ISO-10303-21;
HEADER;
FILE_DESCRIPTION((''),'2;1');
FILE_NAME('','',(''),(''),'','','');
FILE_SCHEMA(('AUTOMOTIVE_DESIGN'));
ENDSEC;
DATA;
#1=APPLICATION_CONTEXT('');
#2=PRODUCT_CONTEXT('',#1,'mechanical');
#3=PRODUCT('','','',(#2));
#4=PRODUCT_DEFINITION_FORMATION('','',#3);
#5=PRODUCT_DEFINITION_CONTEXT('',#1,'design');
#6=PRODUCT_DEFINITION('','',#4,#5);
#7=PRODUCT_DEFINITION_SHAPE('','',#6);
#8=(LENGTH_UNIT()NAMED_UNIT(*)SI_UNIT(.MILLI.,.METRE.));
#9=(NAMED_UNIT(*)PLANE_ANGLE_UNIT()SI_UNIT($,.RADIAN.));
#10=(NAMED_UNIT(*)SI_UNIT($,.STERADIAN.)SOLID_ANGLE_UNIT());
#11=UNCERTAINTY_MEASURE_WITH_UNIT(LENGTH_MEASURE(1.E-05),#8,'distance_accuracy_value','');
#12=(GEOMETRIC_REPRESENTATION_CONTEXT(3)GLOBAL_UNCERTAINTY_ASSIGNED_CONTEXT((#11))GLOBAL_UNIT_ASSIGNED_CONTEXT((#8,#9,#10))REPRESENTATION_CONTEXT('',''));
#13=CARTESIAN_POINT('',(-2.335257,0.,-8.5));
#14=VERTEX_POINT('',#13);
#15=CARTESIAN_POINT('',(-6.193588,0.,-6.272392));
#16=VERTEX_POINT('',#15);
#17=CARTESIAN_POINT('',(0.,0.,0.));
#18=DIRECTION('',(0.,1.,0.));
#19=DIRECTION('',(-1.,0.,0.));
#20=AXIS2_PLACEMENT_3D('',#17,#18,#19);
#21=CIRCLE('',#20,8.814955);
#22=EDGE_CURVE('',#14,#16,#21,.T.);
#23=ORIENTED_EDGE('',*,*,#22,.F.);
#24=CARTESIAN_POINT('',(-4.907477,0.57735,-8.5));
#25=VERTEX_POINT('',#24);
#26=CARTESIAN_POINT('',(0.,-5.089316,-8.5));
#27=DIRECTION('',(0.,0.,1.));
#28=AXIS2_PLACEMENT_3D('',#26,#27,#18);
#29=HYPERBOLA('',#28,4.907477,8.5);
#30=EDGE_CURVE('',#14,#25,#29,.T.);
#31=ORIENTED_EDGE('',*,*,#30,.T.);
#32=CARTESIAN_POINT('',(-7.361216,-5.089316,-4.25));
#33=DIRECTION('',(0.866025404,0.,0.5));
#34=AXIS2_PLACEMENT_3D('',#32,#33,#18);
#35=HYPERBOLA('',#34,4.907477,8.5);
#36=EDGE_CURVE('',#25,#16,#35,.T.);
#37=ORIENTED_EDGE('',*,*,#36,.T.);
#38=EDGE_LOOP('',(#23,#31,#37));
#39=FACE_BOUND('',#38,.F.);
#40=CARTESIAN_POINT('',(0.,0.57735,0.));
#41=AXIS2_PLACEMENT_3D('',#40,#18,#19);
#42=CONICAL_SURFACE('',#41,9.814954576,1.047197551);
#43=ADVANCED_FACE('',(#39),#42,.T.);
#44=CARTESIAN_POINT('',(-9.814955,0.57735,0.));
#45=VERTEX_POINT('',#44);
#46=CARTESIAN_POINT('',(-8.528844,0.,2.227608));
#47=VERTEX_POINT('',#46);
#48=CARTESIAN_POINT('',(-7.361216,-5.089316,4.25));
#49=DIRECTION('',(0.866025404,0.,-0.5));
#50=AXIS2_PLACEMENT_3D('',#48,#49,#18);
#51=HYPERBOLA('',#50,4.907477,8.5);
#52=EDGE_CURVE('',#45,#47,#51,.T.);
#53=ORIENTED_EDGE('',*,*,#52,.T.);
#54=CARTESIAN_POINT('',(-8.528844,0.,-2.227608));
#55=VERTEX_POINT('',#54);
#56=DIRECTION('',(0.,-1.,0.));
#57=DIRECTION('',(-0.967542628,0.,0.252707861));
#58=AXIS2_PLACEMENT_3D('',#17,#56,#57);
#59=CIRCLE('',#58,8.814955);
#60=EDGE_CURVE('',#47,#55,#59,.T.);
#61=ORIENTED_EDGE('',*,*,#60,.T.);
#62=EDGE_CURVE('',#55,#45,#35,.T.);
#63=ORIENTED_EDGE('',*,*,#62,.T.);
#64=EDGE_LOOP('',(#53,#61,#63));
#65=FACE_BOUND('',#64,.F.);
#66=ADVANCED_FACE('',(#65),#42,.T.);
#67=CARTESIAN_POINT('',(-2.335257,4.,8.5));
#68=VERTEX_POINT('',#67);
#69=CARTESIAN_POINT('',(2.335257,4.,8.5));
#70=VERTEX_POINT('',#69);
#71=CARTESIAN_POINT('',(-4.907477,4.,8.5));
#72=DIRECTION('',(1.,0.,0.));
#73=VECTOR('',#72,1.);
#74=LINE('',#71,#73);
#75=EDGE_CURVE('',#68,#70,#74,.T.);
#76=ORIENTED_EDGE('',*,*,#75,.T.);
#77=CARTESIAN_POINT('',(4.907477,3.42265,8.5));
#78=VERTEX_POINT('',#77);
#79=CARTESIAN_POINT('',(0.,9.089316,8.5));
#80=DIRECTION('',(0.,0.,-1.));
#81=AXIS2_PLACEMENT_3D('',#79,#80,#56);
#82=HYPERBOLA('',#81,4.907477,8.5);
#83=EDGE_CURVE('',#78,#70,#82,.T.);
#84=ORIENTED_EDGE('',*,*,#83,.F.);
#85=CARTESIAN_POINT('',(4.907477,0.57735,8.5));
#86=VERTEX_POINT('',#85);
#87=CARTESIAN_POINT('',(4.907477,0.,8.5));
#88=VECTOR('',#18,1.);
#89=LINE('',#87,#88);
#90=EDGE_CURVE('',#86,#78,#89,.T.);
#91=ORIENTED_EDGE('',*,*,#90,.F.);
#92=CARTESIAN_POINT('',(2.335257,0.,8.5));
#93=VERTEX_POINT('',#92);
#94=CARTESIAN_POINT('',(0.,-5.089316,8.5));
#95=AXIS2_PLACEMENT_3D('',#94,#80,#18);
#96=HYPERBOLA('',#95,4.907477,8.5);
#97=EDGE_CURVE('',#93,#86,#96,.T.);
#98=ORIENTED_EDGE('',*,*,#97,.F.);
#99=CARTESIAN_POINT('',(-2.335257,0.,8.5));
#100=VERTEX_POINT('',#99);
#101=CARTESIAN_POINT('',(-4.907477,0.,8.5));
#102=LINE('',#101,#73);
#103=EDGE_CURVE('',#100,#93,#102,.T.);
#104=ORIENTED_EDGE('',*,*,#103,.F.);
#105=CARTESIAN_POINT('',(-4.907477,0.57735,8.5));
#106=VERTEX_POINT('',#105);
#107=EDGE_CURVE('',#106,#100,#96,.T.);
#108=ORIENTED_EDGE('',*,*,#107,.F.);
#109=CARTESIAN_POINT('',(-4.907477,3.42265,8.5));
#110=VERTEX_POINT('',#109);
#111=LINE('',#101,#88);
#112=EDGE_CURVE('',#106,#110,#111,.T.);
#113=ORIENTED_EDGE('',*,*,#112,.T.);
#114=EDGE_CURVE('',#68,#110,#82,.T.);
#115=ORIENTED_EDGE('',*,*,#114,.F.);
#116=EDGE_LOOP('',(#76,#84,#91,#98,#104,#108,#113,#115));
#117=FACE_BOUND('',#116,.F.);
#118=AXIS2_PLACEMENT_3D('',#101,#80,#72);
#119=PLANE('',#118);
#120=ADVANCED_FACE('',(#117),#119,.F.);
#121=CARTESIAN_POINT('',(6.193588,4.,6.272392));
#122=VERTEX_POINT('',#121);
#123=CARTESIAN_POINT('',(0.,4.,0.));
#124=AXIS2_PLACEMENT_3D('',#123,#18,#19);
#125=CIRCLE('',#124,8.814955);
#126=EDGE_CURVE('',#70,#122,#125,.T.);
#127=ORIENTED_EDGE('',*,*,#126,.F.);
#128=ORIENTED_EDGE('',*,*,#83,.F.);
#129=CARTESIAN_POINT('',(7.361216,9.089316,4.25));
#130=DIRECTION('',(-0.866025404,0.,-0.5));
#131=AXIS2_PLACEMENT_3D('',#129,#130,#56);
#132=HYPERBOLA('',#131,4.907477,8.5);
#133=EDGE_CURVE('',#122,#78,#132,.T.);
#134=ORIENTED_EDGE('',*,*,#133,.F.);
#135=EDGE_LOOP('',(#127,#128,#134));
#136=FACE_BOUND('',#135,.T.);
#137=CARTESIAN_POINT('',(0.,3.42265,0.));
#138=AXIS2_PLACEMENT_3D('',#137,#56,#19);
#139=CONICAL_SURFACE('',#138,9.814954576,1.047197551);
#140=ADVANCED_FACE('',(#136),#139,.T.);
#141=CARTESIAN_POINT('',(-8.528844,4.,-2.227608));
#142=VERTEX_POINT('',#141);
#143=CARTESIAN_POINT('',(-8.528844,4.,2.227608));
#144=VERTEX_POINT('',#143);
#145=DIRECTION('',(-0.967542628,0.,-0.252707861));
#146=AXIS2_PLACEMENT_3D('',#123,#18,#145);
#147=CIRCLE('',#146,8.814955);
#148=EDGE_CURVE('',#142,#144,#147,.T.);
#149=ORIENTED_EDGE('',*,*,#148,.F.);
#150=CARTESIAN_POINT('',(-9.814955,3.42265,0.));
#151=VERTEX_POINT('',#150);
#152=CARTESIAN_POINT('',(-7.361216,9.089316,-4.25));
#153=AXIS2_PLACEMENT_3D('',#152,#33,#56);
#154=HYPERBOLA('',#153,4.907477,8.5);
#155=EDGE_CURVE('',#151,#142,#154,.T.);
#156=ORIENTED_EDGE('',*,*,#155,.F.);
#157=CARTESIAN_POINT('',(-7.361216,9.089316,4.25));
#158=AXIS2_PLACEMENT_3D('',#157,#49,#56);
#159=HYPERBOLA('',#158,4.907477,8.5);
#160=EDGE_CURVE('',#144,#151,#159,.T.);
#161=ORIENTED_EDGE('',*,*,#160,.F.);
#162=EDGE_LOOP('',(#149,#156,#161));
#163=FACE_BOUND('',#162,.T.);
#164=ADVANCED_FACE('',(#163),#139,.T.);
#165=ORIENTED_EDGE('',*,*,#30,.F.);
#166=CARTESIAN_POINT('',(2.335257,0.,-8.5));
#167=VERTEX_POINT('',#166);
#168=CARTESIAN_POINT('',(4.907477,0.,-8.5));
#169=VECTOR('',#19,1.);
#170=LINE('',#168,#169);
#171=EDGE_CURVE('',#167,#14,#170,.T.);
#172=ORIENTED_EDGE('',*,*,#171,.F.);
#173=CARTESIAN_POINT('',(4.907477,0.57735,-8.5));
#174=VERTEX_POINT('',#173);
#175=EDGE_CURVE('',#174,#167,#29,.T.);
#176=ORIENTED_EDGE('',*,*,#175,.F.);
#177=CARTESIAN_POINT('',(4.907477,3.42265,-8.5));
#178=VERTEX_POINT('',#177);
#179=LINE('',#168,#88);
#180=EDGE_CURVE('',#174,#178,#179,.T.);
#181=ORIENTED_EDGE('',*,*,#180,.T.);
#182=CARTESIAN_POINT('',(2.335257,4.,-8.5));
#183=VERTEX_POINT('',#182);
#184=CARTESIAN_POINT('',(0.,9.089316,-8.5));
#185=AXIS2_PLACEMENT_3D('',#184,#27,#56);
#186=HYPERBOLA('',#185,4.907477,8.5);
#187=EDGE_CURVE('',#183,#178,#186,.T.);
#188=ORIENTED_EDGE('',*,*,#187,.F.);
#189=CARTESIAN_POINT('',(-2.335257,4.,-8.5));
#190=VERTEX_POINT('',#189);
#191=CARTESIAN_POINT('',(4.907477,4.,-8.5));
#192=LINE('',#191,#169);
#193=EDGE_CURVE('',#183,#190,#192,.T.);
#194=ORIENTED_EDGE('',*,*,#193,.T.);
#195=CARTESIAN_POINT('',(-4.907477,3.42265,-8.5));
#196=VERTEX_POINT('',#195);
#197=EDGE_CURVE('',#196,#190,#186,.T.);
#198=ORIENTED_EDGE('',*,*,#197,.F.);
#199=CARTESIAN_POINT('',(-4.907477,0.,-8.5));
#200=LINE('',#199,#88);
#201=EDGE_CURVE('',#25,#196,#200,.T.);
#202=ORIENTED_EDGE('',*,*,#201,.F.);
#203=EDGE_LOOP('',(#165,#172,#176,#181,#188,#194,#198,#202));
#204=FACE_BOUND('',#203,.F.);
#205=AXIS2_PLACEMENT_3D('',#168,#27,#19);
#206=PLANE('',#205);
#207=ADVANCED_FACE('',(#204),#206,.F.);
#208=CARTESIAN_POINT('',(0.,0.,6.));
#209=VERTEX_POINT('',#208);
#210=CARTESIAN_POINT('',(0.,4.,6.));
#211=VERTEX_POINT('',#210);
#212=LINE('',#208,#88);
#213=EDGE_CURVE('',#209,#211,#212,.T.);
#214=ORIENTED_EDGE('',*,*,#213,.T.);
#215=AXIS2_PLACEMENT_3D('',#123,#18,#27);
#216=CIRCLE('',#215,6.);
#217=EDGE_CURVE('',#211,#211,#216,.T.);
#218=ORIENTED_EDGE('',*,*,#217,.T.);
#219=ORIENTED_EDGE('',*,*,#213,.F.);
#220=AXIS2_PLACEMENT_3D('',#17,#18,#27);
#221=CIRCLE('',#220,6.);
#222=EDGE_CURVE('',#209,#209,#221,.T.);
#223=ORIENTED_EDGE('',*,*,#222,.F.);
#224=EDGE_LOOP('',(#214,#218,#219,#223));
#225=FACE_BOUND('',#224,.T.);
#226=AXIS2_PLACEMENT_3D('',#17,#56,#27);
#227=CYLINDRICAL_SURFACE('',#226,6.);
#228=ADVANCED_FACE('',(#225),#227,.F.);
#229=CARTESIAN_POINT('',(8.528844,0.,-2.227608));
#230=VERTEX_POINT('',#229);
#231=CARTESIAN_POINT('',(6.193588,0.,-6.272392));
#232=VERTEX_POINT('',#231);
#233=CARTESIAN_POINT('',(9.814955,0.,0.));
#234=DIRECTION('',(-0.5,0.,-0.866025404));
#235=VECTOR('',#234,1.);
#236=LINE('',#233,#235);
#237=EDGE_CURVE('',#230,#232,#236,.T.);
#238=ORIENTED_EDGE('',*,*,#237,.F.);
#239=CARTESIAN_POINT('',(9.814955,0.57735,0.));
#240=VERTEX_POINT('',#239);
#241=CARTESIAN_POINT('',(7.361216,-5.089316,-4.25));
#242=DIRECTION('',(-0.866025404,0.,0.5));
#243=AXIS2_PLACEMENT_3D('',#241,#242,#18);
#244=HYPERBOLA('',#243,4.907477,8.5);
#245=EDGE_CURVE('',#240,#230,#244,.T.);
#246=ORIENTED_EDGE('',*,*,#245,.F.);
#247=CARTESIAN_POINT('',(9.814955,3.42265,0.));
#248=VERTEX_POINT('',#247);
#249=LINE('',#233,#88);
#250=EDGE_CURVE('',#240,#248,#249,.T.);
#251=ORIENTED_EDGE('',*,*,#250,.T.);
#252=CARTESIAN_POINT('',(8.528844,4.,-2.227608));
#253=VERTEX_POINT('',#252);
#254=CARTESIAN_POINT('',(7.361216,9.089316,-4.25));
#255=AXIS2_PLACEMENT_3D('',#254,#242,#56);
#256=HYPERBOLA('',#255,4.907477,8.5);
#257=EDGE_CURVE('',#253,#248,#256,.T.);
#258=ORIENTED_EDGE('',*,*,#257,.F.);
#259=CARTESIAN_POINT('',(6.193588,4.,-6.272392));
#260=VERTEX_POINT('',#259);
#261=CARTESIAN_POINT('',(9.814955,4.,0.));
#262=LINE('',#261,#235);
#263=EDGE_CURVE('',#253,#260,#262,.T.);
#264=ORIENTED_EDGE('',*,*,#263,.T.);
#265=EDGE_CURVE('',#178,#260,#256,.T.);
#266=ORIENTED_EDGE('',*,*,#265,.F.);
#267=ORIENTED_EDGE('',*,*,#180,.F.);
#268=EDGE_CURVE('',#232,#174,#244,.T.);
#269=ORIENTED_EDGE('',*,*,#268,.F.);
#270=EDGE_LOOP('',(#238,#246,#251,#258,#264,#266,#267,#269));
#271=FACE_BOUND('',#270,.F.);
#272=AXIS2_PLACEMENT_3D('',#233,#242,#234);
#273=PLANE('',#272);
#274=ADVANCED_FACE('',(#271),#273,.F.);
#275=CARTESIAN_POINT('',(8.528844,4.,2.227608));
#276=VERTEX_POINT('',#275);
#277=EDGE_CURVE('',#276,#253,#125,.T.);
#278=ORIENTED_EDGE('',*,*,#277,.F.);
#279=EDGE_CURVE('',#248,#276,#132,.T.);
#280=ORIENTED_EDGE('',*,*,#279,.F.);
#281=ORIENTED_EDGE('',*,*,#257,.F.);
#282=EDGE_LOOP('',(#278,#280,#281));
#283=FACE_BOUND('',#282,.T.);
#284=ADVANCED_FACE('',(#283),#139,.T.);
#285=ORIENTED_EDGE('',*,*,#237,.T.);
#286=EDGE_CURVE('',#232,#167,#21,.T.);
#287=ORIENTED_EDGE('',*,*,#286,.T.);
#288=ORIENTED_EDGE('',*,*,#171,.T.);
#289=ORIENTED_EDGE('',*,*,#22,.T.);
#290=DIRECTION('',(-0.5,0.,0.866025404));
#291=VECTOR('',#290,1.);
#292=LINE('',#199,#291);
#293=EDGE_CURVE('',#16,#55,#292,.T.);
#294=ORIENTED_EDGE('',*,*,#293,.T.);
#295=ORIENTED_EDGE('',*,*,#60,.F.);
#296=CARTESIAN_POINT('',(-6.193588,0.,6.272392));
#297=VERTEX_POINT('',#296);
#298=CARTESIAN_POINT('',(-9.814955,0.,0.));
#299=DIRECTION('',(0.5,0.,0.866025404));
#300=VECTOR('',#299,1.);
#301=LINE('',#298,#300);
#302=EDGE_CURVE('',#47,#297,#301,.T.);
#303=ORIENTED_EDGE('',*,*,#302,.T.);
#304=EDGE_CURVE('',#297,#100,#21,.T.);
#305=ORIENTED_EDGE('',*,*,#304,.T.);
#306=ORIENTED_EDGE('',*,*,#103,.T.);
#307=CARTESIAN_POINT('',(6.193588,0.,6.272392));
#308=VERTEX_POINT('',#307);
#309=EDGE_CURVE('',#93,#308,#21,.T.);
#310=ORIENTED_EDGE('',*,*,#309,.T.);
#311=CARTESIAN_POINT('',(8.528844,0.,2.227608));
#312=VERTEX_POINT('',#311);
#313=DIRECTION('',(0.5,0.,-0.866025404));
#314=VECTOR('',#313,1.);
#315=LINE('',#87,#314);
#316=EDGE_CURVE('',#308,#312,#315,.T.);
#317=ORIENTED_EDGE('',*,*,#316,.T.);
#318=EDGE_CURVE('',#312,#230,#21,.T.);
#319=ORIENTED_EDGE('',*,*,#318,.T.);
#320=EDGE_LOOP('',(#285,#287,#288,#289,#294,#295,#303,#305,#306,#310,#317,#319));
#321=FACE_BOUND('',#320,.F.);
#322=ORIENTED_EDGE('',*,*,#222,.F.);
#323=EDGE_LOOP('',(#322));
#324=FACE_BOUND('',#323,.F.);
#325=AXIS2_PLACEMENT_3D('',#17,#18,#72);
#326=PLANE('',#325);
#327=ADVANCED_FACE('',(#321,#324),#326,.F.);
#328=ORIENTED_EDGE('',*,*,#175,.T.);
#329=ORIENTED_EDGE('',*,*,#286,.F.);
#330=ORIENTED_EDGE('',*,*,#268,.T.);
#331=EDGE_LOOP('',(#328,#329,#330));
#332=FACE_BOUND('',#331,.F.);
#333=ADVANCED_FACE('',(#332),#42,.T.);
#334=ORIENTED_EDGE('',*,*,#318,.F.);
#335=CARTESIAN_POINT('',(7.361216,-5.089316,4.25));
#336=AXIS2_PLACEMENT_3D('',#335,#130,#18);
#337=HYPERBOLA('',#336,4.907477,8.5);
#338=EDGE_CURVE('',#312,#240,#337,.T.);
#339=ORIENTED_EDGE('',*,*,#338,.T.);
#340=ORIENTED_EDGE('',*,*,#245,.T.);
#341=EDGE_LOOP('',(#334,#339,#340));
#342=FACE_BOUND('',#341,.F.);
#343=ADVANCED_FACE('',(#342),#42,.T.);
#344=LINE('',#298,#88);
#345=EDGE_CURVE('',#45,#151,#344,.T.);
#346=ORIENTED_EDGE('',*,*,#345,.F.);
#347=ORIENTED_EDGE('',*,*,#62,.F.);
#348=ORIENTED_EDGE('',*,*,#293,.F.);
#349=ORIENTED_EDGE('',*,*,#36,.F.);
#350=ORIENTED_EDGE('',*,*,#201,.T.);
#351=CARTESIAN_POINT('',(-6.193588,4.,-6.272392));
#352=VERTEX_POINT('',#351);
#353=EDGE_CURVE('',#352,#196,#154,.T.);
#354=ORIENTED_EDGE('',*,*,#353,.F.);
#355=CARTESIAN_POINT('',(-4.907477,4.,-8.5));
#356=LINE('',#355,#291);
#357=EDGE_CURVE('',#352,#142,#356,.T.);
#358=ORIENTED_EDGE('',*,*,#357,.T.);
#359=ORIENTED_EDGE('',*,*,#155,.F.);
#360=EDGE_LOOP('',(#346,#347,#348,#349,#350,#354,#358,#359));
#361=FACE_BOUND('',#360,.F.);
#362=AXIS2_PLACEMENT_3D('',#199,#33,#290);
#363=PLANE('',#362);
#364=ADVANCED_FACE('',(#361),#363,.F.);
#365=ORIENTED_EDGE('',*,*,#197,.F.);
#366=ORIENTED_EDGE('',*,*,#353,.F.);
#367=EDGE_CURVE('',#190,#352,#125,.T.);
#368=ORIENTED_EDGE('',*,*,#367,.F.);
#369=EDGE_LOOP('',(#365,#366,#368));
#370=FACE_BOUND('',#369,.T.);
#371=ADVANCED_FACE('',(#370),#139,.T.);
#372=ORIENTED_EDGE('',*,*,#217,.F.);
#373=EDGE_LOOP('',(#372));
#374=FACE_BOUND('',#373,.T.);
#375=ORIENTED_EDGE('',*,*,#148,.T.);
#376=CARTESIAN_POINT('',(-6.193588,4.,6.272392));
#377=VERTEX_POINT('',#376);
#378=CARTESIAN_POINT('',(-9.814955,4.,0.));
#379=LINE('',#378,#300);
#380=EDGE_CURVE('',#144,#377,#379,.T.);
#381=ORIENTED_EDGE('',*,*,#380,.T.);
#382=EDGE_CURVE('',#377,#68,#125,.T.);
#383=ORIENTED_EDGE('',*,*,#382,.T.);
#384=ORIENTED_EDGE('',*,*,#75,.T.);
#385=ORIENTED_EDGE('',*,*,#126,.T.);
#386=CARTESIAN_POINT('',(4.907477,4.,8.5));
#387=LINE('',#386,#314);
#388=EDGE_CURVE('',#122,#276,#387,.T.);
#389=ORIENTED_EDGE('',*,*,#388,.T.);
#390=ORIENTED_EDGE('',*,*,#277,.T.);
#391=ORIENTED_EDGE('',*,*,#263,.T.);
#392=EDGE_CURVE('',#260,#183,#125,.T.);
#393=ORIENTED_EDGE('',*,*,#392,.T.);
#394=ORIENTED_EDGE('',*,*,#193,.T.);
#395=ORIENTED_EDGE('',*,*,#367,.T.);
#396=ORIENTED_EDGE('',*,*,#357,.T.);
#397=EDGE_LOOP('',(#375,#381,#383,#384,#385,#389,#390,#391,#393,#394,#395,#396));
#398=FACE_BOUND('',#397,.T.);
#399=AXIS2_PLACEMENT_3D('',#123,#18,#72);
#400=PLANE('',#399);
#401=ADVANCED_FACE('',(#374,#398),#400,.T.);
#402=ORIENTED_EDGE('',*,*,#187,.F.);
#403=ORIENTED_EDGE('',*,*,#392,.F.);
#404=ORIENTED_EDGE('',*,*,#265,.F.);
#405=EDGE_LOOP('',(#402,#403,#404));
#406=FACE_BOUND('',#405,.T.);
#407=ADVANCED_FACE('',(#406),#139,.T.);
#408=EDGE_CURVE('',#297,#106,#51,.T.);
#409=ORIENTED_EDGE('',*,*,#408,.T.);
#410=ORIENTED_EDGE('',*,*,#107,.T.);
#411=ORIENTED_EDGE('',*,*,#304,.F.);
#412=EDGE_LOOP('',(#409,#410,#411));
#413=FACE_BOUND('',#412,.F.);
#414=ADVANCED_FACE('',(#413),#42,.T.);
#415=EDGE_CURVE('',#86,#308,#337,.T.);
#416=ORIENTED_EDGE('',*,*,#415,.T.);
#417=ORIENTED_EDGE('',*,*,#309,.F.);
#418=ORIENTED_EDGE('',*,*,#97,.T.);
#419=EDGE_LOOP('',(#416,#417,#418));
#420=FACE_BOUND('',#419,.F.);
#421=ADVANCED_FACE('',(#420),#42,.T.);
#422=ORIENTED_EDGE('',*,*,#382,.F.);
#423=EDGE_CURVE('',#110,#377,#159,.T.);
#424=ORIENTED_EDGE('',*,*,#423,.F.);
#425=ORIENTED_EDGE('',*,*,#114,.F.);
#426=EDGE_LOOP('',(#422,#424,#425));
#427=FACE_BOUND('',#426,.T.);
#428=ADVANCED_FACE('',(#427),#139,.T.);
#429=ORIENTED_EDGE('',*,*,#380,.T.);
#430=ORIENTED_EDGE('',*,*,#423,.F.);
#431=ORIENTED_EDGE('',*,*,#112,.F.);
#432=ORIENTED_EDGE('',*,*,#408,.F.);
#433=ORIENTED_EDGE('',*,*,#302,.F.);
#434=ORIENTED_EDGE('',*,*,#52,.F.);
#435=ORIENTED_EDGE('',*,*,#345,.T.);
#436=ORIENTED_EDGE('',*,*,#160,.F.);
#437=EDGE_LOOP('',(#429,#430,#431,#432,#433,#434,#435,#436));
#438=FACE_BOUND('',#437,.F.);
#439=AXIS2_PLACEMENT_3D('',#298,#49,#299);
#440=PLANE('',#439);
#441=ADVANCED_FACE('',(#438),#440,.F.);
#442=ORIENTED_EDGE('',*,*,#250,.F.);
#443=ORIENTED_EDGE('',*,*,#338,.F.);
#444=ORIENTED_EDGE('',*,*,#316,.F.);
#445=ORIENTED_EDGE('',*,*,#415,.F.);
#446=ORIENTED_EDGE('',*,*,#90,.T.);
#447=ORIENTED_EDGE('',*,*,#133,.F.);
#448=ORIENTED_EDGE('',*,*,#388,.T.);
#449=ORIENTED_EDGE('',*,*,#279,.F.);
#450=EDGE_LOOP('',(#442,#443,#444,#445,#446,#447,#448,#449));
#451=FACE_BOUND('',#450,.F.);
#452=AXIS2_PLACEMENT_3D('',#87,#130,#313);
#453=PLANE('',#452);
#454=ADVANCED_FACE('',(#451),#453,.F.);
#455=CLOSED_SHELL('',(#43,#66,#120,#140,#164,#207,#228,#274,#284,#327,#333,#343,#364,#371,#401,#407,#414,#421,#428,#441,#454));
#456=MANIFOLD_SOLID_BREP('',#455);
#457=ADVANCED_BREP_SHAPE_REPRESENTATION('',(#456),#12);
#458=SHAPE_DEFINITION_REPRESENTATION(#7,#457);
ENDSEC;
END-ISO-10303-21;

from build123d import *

# Parameters (mm, degrees)
SKETCH1_R           = 6
BOSS_EXTRUDE1_DEPTH = 4


with BuildPart() as part:
    # Sketch1 → Boss-Extrude1 (new body)
    with BuildSketch(Plane(origin=(0, 0, 0), x_dir=(1, 0, 0), z_dir=(0, 1, 0))):
        Polygon((9.814954576, 0), (4.907477288, 8.5), (-4.907477288, 8.5), (-9.814954576, 0), (-4.907477288, -8.5), (4.907477288, -8.5), align=None)
        with Locations(Location((0, 0, 0), (0, 0, 270))):
            Circle(SKETCH1_R, mode=Mode.SUBTRACT)
    extrude(amount=BOSS_EXTRUDE1_DEPTH)

    # Sketch2 → Cut-Revolve1 (revolve, cut)
    with BuildSketch(Plane.XY):
        Polygon((-9.814954576, 3.422649731), (-8.814954576, 4), (-9.814954576, 4), align=None)
        Polygon((-9.814954576, 0), (-9.814954576, 0.577350269), (-8.814954576, 0), align=None)
    revolve(axis=Axis((0, 0, 0), (0, 1, 0)), mode=Mode.SUBTRACT)


solid = part.part
